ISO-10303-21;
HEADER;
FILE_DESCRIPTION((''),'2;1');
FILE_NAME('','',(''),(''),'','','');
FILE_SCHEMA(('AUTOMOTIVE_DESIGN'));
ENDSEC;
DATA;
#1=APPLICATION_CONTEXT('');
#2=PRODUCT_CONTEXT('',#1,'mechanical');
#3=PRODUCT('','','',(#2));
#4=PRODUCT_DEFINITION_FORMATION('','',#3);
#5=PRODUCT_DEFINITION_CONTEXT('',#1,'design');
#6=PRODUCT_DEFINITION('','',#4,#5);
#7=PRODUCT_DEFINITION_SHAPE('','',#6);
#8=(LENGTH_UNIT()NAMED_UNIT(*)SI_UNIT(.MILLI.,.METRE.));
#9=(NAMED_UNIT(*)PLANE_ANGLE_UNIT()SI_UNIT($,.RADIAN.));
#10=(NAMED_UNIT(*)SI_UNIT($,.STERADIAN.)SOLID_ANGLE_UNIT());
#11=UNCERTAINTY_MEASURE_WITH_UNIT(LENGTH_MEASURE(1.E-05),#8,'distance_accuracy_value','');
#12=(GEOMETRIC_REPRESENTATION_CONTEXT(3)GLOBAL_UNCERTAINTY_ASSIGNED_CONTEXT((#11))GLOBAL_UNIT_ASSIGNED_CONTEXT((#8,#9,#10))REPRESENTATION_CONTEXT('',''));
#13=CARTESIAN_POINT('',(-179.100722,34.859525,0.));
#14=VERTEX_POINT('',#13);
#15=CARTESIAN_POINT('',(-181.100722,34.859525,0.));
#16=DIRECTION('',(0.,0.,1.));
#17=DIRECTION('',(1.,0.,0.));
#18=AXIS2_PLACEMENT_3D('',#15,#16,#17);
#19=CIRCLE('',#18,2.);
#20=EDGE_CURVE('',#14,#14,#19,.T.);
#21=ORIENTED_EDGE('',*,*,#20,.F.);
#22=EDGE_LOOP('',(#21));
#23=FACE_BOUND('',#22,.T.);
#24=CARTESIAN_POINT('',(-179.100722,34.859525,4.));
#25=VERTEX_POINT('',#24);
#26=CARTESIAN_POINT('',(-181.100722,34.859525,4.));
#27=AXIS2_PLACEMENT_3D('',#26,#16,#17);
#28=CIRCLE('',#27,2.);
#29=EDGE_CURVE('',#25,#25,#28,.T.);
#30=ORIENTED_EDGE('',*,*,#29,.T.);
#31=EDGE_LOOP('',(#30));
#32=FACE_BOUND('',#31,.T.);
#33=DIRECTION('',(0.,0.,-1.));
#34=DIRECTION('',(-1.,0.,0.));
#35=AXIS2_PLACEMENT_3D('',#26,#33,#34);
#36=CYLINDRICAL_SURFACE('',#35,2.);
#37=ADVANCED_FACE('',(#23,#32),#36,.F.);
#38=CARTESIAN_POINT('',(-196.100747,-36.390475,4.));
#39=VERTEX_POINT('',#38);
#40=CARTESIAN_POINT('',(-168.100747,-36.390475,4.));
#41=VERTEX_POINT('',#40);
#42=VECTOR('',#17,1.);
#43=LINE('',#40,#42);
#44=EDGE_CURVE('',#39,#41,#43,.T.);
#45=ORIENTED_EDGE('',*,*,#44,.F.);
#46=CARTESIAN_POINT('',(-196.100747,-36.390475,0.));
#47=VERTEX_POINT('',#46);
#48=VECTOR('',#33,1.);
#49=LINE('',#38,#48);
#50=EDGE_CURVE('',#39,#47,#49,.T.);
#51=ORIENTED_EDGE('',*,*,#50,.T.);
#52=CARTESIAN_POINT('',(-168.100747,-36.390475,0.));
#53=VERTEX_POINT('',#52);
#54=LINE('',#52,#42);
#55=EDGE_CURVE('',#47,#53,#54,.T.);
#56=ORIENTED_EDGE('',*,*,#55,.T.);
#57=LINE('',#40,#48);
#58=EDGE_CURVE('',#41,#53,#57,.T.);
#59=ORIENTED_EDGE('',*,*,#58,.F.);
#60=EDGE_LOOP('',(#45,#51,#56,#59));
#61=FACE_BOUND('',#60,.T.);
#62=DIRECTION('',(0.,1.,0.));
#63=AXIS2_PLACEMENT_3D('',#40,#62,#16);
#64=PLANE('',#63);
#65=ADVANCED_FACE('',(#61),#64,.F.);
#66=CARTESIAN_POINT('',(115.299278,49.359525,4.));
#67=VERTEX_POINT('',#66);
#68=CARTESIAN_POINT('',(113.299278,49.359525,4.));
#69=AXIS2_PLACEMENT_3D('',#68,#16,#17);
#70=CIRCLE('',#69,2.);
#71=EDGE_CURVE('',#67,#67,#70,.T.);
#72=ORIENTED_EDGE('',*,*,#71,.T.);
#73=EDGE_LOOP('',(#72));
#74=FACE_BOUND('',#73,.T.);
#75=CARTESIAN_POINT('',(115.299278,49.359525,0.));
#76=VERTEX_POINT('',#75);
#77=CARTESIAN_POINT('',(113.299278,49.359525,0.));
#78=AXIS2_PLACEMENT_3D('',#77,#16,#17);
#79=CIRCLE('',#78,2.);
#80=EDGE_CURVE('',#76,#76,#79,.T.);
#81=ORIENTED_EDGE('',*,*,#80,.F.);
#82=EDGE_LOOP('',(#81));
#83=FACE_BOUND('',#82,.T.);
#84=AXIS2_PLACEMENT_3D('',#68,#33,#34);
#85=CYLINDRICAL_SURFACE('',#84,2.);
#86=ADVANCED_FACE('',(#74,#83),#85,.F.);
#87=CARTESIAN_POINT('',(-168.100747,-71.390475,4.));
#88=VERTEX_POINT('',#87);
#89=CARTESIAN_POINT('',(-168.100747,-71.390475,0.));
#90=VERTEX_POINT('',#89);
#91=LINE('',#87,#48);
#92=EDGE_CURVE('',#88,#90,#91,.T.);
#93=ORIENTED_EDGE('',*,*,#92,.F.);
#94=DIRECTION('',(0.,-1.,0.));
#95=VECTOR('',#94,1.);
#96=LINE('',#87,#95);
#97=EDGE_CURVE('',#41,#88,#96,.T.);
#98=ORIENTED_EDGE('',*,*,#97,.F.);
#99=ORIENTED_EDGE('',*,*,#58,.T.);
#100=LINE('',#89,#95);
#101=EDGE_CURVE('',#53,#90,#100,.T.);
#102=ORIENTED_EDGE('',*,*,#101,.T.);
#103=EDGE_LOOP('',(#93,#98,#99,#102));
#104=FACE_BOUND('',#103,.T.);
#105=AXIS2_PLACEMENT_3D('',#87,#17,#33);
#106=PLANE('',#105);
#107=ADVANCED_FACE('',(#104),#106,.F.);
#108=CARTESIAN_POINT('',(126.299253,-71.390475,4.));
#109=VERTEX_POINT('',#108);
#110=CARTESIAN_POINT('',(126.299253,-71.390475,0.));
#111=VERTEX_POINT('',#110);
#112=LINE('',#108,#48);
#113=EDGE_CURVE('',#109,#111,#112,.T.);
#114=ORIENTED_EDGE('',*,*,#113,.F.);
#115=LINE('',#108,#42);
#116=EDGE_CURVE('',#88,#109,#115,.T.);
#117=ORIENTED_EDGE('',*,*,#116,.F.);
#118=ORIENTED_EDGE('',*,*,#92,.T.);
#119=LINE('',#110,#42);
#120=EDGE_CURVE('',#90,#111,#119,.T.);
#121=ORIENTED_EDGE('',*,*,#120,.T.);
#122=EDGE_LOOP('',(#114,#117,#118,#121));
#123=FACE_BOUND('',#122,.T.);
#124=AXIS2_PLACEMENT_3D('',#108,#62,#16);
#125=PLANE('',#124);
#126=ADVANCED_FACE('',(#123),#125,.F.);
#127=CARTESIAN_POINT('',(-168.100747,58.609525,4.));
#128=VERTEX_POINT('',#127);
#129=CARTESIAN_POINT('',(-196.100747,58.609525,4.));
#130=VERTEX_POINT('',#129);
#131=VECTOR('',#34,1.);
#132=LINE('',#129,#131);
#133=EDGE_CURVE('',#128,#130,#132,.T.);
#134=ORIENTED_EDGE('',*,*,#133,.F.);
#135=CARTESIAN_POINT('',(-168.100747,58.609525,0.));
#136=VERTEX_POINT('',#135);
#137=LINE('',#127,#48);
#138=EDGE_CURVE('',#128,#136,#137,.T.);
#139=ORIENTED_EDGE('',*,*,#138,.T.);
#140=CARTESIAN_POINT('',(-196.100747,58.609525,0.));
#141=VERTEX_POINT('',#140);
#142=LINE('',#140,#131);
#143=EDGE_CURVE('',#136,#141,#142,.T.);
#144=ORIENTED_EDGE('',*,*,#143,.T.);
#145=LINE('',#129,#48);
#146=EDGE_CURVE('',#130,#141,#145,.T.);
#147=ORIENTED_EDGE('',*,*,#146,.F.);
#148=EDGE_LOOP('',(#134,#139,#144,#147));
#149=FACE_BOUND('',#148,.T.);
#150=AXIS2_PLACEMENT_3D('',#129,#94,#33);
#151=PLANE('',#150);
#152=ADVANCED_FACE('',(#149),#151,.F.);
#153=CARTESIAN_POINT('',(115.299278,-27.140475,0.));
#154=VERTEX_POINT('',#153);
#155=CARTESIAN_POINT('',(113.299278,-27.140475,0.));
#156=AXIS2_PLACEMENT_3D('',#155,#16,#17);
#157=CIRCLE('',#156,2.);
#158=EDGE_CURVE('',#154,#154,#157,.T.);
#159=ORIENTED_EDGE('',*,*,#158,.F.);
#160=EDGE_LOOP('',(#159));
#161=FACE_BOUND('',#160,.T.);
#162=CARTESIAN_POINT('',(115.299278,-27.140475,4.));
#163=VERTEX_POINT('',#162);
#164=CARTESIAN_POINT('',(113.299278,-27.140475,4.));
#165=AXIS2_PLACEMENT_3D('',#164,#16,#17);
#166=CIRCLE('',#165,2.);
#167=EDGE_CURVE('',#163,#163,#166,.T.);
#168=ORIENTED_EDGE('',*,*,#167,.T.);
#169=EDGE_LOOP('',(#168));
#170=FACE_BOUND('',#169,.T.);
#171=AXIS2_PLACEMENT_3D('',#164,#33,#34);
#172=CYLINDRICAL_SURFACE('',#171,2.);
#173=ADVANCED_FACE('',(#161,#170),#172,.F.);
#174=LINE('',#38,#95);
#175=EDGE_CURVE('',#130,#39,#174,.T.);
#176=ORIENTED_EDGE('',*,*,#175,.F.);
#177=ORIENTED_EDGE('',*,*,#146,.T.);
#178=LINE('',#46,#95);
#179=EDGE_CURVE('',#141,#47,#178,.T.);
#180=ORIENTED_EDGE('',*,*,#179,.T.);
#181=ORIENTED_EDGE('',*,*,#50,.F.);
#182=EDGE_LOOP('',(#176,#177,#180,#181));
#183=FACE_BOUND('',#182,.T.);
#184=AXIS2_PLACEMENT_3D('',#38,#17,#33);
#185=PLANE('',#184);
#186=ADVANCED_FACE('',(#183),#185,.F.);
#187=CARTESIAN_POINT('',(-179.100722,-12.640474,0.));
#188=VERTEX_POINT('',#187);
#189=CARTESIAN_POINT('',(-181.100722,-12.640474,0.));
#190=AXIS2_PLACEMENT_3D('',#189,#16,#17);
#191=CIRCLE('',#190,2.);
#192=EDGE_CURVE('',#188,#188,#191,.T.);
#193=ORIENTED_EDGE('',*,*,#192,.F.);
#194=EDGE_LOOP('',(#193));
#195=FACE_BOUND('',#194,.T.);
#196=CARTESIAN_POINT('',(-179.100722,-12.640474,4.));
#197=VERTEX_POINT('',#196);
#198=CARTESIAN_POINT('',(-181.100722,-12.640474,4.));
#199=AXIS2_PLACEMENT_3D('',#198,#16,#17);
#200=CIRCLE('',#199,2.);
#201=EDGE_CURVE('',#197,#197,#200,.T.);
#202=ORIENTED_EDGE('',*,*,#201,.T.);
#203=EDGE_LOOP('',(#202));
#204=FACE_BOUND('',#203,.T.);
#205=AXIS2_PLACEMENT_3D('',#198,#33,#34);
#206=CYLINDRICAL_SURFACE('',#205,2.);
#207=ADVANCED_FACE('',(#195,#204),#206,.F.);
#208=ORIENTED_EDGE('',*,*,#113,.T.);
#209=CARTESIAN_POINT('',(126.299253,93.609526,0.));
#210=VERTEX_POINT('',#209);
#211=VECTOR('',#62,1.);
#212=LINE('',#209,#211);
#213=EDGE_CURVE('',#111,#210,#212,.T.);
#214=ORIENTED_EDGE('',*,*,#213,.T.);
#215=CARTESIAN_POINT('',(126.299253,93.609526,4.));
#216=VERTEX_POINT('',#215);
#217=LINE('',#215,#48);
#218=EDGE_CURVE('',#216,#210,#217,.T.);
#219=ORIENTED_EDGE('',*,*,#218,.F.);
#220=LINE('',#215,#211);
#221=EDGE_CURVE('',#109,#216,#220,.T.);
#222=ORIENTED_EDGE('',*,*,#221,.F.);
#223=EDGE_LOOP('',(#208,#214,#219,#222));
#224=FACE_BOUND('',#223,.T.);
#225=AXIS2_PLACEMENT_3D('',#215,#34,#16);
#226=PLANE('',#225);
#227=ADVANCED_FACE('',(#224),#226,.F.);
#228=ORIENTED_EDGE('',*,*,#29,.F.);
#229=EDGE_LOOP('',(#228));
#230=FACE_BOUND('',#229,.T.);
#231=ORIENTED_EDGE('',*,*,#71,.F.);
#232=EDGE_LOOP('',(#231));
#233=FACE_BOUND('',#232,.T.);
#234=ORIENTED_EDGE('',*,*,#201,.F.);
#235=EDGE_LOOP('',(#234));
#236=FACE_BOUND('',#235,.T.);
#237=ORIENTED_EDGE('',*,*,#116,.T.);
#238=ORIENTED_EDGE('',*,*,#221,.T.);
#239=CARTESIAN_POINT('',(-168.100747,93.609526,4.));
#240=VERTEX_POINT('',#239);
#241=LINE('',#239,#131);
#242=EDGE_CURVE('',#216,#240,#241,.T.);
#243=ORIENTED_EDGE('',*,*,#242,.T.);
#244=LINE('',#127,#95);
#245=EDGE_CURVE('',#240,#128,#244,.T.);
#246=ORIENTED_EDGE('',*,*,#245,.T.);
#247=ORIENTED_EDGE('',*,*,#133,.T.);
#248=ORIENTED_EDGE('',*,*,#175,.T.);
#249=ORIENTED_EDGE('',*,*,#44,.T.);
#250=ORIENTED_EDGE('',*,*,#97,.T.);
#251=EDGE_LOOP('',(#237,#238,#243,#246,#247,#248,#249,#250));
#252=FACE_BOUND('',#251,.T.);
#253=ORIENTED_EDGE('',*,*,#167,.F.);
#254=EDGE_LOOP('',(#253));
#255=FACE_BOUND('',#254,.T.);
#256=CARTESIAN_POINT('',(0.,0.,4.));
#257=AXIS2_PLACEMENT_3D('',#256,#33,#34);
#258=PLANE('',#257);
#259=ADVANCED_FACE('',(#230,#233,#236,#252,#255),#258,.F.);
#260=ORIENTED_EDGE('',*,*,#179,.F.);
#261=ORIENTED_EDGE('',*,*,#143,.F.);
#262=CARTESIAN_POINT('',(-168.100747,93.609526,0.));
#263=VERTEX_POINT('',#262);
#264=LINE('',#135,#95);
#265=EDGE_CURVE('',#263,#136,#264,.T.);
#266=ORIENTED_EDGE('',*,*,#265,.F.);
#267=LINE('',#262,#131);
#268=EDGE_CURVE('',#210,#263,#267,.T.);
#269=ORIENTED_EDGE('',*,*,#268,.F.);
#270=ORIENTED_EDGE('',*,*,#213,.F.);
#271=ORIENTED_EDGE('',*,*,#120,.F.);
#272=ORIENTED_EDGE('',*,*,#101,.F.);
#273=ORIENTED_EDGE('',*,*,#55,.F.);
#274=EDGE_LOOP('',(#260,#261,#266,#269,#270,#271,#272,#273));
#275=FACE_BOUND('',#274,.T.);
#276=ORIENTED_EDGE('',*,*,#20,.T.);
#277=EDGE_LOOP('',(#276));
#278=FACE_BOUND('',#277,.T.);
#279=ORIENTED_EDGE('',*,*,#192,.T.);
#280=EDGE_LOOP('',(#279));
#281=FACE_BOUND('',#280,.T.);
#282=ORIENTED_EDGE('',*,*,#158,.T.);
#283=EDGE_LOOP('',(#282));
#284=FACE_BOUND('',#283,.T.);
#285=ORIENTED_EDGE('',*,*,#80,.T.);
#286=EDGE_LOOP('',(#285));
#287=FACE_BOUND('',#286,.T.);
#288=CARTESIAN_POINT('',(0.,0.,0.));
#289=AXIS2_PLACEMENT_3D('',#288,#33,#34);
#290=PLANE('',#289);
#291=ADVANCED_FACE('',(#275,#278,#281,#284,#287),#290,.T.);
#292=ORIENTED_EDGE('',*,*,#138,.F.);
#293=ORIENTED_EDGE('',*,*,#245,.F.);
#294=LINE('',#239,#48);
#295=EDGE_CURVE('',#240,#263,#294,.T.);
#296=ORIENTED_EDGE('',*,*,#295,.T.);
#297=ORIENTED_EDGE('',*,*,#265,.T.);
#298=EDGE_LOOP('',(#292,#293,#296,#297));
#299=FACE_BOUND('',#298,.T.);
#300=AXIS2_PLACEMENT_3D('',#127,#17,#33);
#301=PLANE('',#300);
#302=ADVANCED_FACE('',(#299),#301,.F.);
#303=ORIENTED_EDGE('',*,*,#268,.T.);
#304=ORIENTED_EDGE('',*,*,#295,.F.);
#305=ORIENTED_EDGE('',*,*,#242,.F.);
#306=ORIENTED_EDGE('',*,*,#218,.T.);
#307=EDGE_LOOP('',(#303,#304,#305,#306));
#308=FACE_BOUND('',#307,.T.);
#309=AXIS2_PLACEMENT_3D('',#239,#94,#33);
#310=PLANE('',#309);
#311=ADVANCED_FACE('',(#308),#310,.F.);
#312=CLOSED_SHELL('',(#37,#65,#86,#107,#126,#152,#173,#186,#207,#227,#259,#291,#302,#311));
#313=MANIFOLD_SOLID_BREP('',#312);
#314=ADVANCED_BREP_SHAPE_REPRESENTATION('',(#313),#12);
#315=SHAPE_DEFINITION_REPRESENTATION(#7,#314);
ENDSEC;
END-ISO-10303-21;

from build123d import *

# Parameters (mm, degrees)
SKETCH1_R           = 2
BOSS_EXTRUDE1_DEPTH = 4


with BuildPart() as part:
    # Sketch1 → Boss-Extrude1 (new body)
    with BuildSketch(Plane.XY):
        Polygon((-196.100746737, 58.609525438), (-168.100746718, 58.609525438), (-168.100746718, 93.60952561), (126.299253277, 93.60952561), (126.299253277, -71.390474628), (-168.100746738, -71.390474628), (-168.100746738, -36.390474581), (-196.100746737, -36.390474581), align=None)
        with Locations((-181.100722249, 34.859525457)):
            Circle(SKETCH1_R, mode=Mode.SUBTRACT)
        with Locations((-181.100722249, -12.640474497)):
            Circle(SKETCH1_R, mode=Mode.SUBTRACT)
        with Locations((113.299277706, 49.359525485)):
            Circle(SKETCH1_R, mode=Mode.SUBTRACT)
        with Locations((113.299277701, -27.140474515)):
            Circle(SKETCH1_R, mode=Mode.SUBTRACT)
    extrude(amount=BOSS_EXTRUDE1_DEPTH)


solid = part.part
